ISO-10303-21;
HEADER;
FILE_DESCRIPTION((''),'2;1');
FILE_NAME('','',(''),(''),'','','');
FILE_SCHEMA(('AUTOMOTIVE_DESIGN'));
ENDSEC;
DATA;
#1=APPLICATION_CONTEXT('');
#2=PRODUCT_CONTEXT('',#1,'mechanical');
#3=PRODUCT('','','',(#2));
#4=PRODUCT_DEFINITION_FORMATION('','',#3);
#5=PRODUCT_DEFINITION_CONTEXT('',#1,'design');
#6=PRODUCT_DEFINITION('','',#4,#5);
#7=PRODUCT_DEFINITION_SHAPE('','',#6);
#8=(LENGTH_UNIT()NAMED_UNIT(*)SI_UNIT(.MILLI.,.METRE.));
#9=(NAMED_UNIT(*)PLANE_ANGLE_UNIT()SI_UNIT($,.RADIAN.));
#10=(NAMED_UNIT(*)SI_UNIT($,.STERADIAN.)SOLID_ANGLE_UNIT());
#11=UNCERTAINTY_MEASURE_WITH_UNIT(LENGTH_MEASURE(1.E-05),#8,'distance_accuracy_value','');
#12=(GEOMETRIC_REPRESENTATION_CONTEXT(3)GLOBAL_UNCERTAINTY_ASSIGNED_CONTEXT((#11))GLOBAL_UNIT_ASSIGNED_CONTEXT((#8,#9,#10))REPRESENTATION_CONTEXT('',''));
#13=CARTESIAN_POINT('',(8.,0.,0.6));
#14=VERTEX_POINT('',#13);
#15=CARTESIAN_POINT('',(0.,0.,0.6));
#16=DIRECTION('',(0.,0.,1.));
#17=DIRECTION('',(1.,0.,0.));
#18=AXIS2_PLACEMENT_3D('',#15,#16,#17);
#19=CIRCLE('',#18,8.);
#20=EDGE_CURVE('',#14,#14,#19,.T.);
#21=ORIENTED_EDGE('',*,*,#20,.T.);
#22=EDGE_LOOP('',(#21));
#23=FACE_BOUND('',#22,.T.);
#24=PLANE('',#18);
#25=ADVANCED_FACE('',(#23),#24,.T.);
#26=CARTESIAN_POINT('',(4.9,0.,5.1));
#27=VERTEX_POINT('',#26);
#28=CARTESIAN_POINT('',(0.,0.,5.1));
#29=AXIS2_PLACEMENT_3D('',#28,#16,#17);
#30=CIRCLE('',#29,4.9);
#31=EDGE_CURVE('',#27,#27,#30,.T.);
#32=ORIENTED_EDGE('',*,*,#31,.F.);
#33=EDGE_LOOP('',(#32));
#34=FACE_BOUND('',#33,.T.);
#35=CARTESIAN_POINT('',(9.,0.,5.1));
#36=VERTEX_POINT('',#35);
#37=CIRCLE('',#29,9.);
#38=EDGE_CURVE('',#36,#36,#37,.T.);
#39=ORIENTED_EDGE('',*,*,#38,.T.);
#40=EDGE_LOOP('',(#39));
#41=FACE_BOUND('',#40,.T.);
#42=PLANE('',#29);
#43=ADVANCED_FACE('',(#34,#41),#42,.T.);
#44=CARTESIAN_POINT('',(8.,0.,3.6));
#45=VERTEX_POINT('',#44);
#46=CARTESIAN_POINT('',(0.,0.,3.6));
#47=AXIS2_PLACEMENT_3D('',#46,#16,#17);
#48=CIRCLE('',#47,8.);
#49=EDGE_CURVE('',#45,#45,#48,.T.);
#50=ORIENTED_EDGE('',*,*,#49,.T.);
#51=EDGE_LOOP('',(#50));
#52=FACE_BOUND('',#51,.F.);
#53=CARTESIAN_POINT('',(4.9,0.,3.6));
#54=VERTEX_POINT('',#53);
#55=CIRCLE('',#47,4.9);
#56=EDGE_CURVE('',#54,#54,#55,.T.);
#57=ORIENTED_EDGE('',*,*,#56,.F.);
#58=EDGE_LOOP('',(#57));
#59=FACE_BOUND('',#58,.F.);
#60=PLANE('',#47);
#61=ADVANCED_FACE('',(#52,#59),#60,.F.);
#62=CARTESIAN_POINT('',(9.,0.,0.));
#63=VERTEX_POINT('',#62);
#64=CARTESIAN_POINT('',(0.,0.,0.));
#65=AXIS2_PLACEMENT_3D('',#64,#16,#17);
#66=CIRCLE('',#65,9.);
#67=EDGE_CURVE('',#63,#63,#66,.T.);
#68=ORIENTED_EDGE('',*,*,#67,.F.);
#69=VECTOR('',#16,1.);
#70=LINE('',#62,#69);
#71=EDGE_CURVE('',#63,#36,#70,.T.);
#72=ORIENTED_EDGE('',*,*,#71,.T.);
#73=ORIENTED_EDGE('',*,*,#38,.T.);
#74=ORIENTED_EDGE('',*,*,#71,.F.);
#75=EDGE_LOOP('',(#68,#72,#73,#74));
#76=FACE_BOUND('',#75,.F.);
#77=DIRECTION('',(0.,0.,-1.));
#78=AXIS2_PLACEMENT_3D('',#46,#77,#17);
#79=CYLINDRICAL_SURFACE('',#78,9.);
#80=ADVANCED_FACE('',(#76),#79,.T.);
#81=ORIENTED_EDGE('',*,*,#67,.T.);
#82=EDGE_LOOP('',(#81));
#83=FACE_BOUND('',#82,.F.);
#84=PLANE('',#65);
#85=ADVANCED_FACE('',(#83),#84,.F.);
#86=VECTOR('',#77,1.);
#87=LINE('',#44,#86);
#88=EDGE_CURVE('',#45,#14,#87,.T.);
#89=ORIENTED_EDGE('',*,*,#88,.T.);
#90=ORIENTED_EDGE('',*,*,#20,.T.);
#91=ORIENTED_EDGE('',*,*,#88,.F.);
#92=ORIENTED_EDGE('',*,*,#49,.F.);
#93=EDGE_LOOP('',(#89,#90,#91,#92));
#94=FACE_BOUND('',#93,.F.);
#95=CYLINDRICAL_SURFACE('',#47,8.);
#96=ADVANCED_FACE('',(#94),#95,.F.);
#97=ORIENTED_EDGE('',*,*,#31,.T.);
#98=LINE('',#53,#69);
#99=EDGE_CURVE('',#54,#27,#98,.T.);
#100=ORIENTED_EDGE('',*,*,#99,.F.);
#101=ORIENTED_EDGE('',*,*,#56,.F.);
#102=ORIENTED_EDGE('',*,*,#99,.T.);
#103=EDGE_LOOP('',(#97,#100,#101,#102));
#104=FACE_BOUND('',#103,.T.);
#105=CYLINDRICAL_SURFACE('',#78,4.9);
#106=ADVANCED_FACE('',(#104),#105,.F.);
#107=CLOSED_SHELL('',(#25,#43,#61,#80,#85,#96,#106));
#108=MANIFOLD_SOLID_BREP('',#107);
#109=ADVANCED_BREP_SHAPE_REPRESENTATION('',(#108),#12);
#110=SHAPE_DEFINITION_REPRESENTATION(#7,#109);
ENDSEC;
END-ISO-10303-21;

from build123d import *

# Parameters (mm, degrees)
F0_R     = 9
F1_DEPTH = 3.6
F2_R     = 8
F3_DEPTH = 3
F4_R     = 9
F4_R_2   = 4.9
F5_DEPTH = 1.5


with BuildPart() as f1:
    # F0 (on Top) → F1 (new body)
    with BuildSketch(Plane.XY):
        Circle(F0_R)
    extrude(amount=F1_DEPTH)

    # F2 (on face) → F3 (cut)
    with BuildSketch(Plane.XY.offset(3.6)):
        Circle(F2_R)
    extrude(amount=-F3_DEPTH, mode=Mode.SUBTRACT)

    # F4 (on face) → F5 (join)
    with BuildSketch(Plane.XY.offset(3.6)):
        Circle(F4_R)
        Circle(F4_R_2, mode=Mode.SUBTRACT)
    extrude(amount=F5_DEPTH)


solid = f1.part
